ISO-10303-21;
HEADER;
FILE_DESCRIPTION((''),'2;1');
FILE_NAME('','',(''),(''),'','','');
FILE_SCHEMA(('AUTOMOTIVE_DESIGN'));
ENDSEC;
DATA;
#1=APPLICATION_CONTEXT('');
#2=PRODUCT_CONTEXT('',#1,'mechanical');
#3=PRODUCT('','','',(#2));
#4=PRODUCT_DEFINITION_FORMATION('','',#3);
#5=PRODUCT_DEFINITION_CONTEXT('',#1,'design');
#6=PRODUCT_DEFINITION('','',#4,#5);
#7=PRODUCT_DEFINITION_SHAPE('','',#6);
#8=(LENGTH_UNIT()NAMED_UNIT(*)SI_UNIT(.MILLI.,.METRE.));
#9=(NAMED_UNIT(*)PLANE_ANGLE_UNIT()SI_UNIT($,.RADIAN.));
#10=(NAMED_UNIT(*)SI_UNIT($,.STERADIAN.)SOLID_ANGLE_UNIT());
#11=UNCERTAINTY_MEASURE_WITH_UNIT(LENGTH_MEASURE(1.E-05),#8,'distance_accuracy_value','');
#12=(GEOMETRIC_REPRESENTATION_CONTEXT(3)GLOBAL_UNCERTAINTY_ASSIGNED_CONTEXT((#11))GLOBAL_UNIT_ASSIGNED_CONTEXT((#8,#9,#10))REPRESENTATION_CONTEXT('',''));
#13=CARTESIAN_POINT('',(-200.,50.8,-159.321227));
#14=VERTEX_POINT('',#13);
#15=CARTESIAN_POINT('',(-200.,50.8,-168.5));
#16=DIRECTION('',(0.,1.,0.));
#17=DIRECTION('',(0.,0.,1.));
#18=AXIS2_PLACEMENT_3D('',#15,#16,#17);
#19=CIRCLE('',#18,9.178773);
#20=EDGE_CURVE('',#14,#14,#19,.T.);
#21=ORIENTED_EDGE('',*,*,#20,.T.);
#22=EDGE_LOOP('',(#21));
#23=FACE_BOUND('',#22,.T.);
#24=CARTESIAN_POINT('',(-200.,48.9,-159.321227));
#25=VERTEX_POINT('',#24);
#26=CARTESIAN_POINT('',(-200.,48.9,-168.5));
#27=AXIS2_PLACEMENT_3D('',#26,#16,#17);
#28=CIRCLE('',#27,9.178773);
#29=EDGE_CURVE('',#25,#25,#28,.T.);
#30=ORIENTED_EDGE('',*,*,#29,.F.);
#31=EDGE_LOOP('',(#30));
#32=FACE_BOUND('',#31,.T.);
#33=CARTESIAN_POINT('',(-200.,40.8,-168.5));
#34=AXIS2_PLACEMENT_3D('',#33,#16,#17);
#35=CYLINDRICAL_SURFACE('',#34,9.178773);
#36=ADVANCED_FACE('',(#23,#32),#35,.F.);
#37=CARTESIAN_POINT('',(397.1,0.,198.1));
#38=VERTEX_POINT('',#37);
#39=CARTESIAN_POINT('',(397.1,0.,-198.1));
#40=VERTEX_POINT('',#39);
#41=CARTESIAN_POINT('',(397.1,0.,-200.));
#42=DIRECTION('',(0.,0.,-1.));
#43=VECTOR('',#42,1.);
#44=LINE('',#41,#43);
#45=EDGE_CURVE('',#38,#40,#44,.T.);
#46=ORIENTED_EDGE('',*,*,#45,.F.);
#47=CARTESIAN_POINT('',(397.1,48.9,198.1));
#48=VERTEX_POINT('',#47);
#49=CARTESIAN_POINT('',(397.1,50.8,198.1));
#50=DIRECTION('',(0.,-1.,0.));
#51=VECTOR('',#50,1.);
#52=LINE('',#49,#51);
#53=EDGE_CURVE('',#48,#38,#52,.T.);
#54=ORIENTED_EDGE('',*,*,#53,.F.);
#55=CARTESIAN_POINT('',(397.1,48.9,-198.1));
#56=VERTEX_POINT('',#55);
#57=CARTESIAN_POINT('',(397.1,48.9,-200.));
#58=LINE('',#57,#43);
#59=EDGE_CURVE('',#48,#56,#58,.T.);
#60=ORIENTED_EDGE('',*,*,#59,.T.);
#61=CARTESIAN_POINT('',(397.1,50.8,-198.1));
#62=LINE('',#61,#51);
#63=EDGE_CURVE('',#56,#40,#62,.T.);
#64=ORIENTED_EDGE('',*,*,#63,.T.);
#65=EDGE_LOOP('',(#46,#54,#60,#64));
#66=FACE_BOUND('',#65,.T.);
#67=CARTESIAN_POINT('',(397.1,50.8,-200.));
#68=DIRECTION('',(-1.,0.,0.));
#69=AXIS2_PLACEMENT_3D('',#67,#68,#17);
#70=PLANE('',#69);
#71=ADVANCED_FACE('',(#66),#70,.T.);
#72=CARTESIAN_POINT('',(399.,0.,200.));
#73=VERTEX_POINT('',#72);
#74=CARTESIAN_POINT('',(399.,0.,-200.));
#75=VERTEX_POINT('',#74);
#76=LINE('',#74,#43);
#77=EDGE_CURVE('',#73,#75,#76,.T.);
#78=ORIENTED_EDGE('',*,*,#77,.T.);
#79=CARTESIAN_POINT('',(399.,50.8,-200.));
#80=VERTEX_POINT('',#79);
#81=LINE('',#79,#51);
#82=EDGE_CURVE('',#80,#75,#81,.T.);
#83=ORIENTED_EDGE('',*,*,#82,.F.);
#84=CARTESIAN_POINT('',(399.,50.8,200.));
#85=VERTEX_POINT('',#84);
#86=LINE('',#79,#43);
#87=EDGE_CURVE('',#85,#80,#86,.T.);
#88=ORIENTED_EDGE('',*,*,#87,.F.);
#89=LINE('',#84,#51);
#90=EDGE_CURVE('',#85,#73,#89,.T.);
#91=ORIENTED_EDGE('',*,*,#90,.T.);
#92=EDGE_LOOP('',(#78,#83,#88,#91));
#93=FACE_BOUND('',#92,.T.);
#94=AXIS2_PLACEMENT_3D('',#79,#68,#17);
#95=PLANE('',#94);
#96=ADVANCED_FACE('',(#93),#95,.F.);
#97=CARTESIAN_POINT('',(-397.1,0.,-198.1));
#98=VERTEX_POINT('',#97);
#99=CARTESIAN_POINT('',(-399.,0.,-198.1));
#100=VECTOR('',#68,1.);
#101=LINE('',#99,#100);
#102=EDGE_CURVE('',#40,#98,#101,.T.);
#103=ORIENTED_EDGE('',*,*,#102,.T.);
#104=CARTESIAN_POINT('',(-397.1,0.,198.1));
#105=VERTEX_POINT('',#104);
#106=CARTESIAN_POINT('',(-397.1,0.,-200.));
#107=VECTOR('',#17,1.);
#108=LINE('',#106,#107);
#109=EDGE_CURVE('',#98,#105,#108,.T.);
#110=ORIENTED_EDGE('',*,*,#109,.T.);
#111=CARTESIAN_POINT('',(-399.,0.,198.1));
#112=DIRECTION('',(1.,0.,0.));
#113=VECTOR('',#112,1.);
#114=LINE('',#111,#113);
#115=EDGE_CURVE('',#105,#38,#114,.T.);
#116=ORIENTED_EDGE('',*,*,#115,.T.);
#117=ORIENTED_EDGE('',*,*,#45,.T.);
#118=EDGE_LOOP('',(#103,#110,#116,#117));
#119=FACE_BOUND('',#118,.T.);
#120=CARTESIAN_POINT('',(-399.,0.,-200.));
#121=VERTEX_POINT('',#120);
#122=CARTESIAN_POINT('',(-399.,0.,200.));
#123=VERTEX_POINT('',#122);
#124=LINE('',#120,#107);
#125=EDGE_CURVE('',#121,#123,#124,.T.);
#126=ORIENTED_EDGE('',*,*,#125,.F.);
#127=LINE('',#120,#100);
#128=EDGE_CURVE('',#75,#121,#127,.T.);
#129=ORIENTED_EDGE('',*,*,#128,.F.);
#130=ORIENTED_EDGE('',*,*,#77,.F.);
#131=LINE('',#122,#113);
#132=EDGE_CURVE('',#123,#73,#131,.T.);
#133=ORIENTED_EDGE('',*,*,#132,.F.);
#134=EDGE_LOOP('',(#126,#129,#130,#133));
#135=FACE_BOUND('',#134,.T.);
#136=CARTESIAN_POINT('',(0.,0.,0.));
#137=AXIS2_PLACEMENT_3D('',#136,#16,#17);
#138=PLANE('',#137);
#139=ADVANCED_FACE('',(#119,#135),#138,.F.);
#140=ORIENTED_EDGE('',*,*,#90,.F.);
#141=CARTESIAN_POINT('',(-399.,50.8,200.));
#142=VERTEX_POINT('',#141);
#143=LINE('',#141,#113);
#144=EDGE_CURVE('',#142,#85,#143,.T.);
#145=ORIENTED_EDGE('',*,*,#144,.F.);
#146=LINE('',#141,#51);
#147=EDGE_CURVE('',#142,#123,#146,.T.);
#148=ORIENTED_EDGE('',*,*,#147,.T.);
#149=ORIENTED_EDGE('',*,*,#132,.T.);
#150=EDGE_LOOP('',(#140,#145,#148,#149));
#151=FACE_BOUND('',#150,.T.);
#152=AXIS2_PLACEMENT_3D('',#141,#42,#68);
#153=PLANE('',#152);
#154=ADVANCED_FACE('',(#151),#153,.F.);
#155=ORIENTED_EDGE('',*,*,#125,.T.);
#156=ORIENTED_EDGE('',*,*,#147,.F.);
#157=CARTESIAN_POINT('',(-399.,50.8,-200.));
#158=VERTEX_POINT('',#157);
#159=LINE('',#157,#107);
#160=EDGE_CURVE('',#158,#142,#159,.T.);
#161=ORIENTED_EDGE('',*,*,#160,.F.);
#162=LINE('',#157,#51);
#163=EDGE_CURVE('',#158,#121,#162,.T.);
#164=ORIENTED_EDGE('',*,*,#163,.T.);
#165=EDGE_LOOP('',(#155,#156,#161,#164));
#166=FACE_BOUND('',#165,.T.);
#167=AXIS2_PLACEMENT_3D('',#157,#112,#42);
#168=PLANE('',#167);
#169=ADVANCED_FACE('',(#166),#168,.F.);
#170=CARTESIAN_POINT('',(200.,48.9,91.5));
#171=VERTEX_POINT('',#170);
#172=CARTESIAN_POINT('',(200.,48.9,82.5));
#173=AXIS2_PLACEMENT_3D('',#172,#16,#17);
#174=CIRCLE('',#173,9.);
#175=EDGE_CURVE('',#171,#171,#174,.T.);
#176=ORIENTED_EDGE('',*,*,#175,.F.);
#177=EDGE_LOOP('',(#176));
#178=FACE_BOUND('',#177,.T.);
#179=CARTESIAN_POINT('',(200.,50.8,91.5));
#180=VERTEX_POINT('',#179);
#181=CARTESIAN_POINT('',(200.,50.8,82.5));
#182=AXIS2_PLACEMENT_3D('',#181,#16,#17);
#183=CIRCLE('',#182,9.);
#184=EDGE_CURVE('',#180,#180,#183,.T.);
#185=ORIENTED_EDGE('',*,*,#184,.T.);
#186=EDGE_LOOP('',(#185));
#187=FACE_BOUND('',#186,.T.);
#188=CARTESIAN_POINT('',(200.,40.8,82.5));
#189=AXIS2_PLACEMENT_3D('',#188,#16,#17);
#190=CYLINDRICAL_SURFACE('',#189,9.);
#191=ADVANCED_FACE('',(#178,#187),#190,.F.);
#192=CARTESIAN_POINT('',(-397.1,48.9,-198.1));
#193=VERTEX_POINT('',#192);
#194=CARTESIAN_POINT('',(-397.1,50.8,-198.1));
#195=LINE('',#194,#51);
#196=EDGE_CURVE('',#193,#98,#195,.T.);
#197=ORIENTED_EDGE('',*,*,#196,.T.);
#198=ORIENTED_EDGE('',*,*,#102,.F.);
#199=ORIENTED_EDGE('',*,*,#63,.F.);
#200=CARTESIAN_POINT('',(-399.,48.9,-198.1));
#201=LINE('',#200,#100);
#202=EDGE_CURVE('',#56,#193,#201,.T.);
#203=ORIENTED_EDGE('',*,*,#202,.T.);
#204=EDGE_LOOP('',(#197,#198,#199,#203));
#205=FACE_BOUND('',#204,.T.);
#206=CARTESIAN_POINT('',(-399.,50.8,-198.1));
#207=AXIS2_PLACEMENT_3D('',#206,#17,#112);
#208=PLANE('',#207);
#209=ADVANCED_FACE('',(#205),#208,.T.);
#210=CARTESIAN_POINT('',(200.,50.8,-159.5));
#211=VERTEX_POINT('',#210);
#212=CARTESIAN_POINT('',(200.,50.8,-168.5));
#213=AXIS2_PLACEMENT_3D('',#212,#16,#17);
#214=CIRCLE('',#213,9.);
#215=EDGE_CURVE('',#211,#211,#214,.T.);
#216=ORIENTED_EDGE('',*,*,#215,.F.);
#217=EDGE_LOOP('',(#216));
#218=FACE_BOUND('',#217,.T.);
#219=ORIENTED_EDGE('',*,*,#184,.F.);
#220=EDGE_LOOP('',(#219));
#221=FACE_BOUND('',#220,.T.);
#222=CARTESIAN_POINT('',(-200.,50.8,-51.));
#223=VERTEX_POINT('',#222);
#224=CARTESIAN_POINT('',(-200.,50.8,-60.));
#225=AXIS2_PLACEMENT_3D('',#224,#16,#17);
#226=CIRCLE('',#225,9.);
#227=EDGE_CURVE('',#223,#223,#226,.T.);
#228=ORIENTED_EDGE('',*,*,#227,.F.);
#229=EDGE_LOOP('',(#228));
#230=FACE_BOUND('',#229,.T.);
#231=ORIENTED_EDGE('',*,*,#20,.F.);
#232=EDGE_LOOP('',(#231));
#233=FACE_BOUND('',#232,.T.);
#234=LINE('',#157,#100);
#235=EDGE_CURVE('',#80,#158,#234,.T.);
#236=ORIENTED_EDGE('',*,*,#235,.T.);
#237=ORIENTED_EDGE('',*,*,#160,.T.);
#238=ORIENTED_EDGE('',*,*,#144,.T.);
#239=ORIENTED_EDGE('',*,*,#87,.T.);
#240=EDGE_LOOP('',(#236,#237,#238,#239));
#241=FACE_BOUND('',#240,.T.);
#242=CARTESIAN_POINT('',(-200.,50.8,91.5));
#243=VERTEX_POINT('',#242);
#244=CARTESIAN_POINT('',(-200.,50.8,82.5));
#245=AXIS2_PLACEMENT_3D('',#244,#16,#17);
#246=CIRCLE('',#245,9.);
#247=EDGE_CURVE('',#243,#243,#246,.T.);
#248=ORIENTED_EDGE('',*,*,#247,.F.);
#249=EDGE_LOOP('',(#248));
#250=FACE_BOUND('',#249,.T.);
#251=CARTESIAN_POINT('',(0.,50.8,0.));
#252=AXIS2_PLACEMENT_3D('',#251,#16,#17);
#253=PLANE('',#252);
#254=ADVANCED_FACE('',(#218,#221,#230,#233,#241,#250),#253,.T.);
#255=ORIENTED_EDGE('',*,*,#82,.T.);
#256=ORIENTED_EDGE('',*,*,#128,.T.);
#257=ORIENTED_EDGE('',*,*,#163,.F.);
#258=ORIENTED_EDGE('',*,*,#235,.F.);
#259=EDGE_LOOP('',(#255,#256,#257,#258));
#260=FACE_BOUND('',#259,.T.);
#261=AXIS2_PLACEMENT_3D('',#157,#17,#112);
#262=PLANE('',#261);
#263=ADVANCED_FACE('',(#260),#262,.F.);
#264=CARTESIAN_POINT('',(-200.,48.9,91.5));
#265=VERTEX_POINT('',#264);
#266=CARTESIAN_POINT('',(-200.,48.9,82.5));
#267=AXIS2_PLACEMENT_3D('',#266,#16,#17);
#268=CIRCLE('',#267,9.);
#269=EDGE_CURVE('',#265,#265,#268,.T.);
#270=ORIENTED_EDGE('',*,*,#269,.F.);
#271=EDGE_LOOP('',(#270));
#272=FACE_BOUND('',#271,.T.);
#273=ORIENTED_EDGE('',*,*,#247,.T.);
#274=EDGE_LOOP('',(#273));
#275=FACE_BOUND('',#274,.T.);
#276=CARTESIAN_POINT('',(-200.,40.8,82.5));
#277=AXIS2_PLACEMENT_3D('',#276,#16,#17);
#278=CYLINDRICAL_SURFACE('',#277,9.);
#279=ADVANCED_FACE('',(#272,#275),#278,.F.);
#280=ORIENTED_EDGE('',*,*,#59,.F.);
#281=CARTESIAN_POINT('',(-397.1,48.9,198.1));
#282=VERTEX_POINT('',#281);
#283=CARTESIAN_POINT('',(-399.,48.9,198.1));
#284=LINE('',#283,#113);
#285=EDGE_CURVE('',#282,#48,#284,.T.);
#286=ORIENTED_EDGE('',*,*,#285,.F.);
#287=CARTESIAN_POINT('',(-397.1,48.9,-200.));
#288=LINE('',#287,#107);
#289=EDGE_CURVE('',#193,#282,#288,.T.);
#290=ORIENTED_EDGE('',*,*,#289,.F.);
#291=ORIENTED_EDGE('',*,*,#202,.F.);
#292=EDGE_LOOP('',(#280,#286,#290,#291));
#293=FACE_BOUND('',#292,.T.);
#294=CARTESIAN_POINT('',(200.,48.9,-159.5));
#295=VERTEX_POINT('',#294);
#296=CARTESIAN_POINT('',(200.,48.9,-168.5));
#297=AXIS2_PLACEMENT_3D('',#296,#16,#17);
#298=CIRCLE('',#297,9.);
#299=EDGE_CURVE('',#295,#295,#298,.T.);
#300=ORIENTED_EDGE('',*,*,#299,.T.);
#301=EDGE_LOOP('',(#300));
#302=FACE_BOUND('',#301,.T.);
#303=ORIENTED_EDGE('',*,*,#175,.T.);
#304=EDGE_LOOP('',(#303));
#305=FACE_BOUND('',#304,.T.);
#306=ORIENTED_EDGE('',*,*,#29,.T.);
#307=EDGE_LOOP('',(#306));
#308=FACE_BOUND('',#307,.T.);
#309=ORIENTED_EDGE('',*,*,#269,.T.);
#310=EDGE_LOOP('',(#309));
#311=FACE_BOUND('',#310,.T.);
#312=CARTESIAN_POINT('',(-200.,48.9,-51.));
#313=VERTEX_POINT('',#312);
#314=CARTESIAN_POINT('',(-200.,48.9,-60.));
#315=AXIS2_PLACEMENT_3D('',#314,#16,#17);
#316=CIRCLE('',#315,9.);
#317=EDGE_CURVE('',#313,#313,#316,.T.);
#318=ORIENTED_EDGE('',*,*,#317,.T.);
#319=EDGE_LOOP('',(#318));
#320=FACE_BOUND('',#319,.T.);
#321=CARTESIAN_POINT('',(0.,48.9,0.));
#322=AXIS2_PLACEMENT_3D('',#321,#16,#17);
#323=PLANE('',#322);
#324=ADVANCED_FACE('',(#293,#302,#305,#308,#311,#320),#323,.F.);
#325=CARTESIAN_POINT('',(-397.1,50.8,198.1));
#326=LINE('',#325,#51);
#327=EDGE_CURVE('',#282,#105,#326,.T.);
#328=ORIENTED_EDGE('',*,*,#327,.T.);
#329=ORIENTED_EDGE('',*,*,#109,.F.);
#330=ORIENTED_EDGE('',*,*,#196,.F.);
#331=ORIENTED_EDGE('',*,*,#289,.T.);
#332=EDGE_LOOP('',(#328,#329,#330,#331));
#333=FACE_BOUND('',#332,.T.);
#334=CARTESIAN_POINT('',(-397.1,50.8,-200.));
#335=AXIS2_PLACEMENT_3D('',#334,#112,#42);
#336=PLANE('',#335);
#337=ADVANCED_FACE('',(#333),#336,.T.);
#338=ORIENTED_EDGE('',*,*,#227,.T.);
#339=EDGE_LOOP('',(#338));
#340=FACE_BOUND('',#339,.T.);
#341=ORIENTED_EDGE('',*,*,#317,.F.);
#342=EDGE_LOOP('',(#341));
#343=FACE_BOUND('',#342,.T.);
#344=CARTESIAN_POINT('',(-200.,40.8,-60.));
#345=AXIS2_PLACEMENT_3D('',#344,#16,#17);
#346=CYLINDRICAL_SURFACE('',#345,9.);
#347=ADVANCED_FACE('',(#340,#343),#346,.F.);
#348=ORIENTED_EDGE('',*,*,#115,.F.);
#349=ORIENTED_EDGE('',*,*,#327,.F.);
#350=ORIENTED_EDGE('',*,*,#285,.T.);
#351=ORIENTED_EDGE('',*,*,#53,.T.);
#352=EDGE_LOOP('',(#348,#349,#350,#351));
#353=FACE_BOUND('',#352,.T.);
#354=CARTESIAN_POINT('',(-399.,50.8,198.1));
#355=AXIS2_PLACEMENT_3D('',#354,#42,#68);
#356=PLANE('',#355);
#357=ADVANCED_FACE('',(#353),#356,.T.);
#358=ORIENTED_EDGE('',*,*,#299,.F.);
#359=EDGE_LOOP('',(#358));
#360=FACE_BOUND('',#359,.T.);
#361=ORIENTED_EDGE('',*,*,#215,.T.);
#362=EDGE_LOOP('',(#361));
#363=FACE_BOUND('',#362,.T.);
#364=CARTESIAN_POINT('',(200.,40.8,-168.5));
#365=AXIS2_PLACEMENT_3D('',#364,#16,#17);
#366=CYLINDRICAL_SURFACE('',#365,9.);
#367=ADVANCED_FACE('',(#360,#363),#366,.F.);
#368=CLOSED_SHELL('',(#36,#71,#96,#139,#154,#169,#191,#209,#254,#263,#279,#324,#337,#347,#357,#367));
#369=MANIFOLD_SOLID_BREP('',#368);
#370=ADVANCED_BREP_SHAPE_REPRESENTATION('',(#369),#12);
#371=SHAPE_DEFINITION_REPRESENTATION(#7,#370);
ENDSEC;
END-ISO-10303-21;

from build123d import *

# Parameters (mm, degrees)
CROQUIS1_W              = 798
CROQUIS1_H              = 400
SALIENTE_EXTRUIR1_DEPTH = 50.8
VACIADO1_T              = -1.9
CROQUIS3_R              = 9
CROQUIS3_R_2            = 9.17877309
CORTAR_EXTRUIR1_DEPTH   = 10


with BuildPart() as part:
    # Croquis1 → Saliente-Extruir1 (new body)
    with BuildSketch(Plane(origin=(0, 0, 0), x_dir=(1, 0, 0), z_dir=(0, 1, 0))):
        Rectangle(CROQUIS1_W, CROQUIS1_H)
    extrude(amount=SALIENTE_EXTRUIR1_DEPTH)

    # Vaciado1
    vaciado1_openings = [part.faces().sort_by_distance(p)[0] for p in [
        (0, 0, 0),
    ]]
    offset(amount=VACIADO1_T, openings=vaciado1_openings, kind=Kind.INTERSECTION)

    # Croquis3 → Cortar-Extruir1 (cut)
    with BuildSketch(Plane(origin=(0, 50.8, 0), x_dir=(1, 0, 0), z_dir=(0, 1, 0))):
        with Locations(Location((200, -82.5, 0), (0, 0, 270))):
            Circle(CROQUIS3_R)
        with Locations(Location((200, 168.5, 0), (0, 0, 270))):
            Circle(CROQUIS3_R)
        with Locations(Location((-200, -82.5, 0), (0, 0, 270))):
            Circle(CROQUIS3_R)
        with Locations(Location((-200, 60, 0), (0, 0, 270))):
            Circle(CROQUIS3_R)
        with Locations(Location((-200, 168.5, 0), (0, 0, 270))):
            Circle(CROQUIS3_R_2)
    extrude(amount=-CORTAR_EXTRUIR1_DEPTH, mode=Mode.SUBTRACT)


solid = part.part
